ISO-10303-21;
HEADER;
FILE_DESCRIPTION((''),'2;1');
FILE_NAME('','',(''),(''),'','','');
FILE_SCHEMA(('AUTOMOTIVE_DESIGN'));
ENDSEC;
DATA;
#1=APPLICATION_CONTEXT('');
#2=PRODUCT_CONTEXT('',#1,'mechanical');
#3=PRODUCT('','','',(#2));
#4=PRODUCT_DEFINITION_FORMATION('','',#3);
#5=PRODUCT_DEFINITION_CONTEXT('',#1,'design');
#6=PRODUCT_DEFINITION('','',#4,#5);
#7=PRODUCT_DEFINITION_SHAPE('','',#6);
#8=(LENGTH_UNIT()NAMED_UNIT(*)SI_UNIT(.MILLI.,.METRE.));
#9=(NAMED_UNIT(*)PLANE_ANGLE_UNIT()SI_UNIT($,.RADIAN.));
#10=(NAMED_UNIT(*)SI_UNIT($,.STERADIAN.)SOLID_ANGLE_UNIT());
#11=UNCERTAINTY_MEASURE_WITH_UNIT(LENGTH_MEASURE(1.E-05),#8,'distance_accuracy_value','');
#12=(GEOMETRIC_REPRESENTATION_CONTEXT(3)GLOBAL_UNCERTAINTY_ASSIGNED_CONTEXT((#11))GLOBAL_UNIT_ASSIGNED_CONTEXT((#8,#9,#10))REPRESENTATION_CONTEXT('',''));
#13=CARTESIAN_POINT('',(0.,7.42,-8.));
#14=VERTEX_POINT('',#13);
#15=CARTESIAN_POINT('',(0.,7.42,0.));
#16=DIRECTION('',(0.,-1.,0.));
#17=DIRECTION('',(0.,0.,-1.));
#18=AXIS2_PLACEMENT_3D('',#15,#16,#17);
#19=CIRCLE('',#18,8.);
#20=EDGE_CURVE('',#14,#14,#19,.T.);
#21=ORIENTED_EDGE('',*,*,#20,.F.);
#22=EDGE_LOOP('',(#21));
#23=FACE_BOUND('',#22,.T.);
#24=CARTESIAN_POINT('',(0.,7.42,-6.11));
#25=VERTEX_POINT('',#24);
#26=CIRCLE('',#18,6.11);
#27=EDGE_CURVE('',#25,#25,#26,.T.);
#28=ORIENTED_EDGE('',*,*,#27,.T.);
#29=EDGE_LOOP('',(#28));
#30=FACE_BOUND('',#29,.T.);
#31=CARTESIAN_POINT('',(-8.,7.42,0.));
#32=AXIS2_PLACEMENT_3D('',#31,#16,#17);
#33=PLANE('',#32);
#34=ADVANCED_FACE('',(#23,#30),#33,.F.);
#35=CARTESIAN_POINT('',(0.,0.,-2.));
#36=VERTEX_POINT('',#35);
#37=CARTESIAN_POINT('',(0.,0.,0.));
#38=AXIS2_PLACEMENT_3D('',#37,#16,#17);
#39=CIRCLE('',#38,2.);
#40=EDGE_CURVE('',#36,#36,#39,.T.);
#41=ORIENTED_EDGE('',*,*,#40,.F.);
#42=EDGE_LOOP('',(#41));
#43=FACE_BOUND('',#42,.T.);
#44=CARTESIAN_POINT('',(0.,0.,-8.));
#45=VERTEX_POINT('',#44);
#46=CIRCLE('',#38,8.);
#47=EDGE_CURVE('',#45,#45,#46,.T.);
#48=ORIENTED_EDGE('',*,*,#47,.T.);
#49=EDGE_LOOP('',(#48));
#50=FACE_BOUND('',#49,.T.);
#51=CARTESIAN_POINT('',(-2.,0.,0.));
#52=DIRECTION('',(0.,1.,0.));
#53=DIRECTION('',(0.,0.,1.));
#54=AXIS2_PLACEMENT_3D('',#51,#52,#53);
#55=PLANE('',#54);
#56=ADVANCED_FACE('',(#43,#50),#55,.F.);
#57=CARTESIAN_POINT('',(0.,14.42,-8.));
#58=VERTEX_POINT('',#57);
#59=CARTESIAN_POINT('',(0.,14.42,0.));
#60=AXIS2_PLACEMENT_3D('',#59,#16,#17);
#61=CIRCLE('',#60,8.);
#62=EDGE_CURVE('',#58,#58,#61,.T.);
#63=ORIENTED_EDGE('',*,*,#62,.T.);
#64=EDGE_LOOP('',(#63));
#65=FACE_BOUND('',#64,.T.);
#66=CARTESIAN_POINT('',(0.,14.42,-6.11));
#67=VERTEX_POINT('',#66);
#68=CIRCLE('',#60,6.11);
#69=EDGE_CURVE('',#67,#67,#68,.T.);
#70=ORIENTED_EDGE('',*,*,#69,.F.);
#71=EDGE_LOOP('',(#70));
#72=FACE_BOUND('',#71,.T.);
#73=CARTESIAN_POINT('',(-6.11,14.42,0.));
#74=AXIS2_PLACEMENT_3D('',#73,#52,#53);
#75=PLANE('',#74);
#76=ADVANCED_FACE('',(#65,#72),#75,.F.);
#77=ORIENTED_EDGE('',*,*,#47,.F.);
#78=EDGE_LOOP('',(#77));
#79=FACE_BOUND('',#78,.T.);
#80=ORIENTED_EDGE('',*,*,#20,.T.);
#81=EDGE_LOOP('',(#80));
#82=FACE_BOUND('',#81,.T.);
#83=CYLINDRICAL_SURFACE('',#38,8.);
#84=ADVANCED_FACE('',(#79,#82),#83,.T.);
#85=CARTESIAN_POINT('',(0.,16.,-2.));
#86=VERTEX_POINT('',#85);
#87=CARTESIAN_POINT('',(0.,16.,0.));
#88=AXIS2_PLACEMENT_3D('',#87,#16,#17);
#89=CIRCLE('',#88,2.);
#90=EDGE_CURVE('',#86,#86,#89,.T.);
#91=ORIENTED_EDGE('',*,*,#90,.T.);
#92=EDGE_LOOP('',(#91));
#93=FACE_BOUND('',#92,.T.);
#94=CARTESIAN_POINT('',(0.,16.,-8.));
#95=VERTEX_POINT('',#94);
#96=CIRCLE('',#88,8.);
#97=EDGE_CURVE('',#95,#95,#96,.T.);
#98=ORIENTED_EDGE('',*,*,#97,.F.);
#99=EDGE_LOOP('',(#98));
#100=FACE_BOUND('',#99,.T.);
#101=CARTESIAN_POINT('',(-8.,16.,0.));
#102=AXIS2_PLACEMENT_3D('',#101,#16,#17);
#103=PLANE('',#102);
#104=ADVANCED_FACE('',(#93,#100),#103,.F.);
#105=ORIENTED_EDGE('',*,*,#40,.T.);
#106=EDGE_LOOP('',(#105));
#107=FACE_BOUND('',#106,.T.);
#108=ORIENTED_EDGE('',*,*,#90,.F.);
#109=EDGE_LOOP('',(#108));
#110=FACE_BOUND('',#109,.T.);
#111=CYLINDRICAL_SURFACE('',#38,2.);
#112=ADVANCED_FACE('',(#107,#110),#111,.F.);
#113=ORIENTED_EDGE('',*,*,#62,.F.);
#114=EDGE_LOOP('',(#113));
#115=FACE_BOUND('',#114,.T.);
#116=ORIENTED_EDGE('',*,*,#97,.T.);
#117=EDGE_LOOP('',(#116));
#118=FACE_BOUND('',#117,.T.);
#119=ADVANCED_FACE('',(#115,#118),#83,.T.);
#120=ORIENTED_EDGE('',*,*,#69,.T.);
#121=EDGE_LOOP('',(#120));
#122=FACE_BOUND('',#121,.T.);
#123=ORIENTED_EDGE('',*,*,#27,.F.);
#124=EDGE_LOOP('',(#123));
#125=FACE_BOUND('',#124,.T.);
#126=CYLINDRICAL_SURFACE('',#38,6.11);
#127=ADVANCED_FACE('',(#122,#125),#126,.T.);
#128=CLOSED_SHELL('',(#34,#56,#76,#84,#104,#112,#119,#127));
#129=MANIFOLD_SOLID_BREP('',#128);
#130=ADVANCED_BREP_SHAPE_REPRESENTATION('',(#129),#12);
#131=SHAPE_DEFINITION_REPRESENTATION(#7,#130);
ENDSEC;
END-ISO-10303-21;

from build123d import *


with BuildPart() as part:
    # Sketch1 → Revolve1 (revolve)
    with BuildSketch(Plane.XY):
        Polygon((-2, 0), (-8, 0), (-8, 7.42), (-6.11, 7.42), (-6.11, 14.42), (-8, 14.42), (-8, 16), (-2, 16), align=None)
    revolve(axis=Axis((0, 0, 0), (0, 1, 0)))


solid = part.part
